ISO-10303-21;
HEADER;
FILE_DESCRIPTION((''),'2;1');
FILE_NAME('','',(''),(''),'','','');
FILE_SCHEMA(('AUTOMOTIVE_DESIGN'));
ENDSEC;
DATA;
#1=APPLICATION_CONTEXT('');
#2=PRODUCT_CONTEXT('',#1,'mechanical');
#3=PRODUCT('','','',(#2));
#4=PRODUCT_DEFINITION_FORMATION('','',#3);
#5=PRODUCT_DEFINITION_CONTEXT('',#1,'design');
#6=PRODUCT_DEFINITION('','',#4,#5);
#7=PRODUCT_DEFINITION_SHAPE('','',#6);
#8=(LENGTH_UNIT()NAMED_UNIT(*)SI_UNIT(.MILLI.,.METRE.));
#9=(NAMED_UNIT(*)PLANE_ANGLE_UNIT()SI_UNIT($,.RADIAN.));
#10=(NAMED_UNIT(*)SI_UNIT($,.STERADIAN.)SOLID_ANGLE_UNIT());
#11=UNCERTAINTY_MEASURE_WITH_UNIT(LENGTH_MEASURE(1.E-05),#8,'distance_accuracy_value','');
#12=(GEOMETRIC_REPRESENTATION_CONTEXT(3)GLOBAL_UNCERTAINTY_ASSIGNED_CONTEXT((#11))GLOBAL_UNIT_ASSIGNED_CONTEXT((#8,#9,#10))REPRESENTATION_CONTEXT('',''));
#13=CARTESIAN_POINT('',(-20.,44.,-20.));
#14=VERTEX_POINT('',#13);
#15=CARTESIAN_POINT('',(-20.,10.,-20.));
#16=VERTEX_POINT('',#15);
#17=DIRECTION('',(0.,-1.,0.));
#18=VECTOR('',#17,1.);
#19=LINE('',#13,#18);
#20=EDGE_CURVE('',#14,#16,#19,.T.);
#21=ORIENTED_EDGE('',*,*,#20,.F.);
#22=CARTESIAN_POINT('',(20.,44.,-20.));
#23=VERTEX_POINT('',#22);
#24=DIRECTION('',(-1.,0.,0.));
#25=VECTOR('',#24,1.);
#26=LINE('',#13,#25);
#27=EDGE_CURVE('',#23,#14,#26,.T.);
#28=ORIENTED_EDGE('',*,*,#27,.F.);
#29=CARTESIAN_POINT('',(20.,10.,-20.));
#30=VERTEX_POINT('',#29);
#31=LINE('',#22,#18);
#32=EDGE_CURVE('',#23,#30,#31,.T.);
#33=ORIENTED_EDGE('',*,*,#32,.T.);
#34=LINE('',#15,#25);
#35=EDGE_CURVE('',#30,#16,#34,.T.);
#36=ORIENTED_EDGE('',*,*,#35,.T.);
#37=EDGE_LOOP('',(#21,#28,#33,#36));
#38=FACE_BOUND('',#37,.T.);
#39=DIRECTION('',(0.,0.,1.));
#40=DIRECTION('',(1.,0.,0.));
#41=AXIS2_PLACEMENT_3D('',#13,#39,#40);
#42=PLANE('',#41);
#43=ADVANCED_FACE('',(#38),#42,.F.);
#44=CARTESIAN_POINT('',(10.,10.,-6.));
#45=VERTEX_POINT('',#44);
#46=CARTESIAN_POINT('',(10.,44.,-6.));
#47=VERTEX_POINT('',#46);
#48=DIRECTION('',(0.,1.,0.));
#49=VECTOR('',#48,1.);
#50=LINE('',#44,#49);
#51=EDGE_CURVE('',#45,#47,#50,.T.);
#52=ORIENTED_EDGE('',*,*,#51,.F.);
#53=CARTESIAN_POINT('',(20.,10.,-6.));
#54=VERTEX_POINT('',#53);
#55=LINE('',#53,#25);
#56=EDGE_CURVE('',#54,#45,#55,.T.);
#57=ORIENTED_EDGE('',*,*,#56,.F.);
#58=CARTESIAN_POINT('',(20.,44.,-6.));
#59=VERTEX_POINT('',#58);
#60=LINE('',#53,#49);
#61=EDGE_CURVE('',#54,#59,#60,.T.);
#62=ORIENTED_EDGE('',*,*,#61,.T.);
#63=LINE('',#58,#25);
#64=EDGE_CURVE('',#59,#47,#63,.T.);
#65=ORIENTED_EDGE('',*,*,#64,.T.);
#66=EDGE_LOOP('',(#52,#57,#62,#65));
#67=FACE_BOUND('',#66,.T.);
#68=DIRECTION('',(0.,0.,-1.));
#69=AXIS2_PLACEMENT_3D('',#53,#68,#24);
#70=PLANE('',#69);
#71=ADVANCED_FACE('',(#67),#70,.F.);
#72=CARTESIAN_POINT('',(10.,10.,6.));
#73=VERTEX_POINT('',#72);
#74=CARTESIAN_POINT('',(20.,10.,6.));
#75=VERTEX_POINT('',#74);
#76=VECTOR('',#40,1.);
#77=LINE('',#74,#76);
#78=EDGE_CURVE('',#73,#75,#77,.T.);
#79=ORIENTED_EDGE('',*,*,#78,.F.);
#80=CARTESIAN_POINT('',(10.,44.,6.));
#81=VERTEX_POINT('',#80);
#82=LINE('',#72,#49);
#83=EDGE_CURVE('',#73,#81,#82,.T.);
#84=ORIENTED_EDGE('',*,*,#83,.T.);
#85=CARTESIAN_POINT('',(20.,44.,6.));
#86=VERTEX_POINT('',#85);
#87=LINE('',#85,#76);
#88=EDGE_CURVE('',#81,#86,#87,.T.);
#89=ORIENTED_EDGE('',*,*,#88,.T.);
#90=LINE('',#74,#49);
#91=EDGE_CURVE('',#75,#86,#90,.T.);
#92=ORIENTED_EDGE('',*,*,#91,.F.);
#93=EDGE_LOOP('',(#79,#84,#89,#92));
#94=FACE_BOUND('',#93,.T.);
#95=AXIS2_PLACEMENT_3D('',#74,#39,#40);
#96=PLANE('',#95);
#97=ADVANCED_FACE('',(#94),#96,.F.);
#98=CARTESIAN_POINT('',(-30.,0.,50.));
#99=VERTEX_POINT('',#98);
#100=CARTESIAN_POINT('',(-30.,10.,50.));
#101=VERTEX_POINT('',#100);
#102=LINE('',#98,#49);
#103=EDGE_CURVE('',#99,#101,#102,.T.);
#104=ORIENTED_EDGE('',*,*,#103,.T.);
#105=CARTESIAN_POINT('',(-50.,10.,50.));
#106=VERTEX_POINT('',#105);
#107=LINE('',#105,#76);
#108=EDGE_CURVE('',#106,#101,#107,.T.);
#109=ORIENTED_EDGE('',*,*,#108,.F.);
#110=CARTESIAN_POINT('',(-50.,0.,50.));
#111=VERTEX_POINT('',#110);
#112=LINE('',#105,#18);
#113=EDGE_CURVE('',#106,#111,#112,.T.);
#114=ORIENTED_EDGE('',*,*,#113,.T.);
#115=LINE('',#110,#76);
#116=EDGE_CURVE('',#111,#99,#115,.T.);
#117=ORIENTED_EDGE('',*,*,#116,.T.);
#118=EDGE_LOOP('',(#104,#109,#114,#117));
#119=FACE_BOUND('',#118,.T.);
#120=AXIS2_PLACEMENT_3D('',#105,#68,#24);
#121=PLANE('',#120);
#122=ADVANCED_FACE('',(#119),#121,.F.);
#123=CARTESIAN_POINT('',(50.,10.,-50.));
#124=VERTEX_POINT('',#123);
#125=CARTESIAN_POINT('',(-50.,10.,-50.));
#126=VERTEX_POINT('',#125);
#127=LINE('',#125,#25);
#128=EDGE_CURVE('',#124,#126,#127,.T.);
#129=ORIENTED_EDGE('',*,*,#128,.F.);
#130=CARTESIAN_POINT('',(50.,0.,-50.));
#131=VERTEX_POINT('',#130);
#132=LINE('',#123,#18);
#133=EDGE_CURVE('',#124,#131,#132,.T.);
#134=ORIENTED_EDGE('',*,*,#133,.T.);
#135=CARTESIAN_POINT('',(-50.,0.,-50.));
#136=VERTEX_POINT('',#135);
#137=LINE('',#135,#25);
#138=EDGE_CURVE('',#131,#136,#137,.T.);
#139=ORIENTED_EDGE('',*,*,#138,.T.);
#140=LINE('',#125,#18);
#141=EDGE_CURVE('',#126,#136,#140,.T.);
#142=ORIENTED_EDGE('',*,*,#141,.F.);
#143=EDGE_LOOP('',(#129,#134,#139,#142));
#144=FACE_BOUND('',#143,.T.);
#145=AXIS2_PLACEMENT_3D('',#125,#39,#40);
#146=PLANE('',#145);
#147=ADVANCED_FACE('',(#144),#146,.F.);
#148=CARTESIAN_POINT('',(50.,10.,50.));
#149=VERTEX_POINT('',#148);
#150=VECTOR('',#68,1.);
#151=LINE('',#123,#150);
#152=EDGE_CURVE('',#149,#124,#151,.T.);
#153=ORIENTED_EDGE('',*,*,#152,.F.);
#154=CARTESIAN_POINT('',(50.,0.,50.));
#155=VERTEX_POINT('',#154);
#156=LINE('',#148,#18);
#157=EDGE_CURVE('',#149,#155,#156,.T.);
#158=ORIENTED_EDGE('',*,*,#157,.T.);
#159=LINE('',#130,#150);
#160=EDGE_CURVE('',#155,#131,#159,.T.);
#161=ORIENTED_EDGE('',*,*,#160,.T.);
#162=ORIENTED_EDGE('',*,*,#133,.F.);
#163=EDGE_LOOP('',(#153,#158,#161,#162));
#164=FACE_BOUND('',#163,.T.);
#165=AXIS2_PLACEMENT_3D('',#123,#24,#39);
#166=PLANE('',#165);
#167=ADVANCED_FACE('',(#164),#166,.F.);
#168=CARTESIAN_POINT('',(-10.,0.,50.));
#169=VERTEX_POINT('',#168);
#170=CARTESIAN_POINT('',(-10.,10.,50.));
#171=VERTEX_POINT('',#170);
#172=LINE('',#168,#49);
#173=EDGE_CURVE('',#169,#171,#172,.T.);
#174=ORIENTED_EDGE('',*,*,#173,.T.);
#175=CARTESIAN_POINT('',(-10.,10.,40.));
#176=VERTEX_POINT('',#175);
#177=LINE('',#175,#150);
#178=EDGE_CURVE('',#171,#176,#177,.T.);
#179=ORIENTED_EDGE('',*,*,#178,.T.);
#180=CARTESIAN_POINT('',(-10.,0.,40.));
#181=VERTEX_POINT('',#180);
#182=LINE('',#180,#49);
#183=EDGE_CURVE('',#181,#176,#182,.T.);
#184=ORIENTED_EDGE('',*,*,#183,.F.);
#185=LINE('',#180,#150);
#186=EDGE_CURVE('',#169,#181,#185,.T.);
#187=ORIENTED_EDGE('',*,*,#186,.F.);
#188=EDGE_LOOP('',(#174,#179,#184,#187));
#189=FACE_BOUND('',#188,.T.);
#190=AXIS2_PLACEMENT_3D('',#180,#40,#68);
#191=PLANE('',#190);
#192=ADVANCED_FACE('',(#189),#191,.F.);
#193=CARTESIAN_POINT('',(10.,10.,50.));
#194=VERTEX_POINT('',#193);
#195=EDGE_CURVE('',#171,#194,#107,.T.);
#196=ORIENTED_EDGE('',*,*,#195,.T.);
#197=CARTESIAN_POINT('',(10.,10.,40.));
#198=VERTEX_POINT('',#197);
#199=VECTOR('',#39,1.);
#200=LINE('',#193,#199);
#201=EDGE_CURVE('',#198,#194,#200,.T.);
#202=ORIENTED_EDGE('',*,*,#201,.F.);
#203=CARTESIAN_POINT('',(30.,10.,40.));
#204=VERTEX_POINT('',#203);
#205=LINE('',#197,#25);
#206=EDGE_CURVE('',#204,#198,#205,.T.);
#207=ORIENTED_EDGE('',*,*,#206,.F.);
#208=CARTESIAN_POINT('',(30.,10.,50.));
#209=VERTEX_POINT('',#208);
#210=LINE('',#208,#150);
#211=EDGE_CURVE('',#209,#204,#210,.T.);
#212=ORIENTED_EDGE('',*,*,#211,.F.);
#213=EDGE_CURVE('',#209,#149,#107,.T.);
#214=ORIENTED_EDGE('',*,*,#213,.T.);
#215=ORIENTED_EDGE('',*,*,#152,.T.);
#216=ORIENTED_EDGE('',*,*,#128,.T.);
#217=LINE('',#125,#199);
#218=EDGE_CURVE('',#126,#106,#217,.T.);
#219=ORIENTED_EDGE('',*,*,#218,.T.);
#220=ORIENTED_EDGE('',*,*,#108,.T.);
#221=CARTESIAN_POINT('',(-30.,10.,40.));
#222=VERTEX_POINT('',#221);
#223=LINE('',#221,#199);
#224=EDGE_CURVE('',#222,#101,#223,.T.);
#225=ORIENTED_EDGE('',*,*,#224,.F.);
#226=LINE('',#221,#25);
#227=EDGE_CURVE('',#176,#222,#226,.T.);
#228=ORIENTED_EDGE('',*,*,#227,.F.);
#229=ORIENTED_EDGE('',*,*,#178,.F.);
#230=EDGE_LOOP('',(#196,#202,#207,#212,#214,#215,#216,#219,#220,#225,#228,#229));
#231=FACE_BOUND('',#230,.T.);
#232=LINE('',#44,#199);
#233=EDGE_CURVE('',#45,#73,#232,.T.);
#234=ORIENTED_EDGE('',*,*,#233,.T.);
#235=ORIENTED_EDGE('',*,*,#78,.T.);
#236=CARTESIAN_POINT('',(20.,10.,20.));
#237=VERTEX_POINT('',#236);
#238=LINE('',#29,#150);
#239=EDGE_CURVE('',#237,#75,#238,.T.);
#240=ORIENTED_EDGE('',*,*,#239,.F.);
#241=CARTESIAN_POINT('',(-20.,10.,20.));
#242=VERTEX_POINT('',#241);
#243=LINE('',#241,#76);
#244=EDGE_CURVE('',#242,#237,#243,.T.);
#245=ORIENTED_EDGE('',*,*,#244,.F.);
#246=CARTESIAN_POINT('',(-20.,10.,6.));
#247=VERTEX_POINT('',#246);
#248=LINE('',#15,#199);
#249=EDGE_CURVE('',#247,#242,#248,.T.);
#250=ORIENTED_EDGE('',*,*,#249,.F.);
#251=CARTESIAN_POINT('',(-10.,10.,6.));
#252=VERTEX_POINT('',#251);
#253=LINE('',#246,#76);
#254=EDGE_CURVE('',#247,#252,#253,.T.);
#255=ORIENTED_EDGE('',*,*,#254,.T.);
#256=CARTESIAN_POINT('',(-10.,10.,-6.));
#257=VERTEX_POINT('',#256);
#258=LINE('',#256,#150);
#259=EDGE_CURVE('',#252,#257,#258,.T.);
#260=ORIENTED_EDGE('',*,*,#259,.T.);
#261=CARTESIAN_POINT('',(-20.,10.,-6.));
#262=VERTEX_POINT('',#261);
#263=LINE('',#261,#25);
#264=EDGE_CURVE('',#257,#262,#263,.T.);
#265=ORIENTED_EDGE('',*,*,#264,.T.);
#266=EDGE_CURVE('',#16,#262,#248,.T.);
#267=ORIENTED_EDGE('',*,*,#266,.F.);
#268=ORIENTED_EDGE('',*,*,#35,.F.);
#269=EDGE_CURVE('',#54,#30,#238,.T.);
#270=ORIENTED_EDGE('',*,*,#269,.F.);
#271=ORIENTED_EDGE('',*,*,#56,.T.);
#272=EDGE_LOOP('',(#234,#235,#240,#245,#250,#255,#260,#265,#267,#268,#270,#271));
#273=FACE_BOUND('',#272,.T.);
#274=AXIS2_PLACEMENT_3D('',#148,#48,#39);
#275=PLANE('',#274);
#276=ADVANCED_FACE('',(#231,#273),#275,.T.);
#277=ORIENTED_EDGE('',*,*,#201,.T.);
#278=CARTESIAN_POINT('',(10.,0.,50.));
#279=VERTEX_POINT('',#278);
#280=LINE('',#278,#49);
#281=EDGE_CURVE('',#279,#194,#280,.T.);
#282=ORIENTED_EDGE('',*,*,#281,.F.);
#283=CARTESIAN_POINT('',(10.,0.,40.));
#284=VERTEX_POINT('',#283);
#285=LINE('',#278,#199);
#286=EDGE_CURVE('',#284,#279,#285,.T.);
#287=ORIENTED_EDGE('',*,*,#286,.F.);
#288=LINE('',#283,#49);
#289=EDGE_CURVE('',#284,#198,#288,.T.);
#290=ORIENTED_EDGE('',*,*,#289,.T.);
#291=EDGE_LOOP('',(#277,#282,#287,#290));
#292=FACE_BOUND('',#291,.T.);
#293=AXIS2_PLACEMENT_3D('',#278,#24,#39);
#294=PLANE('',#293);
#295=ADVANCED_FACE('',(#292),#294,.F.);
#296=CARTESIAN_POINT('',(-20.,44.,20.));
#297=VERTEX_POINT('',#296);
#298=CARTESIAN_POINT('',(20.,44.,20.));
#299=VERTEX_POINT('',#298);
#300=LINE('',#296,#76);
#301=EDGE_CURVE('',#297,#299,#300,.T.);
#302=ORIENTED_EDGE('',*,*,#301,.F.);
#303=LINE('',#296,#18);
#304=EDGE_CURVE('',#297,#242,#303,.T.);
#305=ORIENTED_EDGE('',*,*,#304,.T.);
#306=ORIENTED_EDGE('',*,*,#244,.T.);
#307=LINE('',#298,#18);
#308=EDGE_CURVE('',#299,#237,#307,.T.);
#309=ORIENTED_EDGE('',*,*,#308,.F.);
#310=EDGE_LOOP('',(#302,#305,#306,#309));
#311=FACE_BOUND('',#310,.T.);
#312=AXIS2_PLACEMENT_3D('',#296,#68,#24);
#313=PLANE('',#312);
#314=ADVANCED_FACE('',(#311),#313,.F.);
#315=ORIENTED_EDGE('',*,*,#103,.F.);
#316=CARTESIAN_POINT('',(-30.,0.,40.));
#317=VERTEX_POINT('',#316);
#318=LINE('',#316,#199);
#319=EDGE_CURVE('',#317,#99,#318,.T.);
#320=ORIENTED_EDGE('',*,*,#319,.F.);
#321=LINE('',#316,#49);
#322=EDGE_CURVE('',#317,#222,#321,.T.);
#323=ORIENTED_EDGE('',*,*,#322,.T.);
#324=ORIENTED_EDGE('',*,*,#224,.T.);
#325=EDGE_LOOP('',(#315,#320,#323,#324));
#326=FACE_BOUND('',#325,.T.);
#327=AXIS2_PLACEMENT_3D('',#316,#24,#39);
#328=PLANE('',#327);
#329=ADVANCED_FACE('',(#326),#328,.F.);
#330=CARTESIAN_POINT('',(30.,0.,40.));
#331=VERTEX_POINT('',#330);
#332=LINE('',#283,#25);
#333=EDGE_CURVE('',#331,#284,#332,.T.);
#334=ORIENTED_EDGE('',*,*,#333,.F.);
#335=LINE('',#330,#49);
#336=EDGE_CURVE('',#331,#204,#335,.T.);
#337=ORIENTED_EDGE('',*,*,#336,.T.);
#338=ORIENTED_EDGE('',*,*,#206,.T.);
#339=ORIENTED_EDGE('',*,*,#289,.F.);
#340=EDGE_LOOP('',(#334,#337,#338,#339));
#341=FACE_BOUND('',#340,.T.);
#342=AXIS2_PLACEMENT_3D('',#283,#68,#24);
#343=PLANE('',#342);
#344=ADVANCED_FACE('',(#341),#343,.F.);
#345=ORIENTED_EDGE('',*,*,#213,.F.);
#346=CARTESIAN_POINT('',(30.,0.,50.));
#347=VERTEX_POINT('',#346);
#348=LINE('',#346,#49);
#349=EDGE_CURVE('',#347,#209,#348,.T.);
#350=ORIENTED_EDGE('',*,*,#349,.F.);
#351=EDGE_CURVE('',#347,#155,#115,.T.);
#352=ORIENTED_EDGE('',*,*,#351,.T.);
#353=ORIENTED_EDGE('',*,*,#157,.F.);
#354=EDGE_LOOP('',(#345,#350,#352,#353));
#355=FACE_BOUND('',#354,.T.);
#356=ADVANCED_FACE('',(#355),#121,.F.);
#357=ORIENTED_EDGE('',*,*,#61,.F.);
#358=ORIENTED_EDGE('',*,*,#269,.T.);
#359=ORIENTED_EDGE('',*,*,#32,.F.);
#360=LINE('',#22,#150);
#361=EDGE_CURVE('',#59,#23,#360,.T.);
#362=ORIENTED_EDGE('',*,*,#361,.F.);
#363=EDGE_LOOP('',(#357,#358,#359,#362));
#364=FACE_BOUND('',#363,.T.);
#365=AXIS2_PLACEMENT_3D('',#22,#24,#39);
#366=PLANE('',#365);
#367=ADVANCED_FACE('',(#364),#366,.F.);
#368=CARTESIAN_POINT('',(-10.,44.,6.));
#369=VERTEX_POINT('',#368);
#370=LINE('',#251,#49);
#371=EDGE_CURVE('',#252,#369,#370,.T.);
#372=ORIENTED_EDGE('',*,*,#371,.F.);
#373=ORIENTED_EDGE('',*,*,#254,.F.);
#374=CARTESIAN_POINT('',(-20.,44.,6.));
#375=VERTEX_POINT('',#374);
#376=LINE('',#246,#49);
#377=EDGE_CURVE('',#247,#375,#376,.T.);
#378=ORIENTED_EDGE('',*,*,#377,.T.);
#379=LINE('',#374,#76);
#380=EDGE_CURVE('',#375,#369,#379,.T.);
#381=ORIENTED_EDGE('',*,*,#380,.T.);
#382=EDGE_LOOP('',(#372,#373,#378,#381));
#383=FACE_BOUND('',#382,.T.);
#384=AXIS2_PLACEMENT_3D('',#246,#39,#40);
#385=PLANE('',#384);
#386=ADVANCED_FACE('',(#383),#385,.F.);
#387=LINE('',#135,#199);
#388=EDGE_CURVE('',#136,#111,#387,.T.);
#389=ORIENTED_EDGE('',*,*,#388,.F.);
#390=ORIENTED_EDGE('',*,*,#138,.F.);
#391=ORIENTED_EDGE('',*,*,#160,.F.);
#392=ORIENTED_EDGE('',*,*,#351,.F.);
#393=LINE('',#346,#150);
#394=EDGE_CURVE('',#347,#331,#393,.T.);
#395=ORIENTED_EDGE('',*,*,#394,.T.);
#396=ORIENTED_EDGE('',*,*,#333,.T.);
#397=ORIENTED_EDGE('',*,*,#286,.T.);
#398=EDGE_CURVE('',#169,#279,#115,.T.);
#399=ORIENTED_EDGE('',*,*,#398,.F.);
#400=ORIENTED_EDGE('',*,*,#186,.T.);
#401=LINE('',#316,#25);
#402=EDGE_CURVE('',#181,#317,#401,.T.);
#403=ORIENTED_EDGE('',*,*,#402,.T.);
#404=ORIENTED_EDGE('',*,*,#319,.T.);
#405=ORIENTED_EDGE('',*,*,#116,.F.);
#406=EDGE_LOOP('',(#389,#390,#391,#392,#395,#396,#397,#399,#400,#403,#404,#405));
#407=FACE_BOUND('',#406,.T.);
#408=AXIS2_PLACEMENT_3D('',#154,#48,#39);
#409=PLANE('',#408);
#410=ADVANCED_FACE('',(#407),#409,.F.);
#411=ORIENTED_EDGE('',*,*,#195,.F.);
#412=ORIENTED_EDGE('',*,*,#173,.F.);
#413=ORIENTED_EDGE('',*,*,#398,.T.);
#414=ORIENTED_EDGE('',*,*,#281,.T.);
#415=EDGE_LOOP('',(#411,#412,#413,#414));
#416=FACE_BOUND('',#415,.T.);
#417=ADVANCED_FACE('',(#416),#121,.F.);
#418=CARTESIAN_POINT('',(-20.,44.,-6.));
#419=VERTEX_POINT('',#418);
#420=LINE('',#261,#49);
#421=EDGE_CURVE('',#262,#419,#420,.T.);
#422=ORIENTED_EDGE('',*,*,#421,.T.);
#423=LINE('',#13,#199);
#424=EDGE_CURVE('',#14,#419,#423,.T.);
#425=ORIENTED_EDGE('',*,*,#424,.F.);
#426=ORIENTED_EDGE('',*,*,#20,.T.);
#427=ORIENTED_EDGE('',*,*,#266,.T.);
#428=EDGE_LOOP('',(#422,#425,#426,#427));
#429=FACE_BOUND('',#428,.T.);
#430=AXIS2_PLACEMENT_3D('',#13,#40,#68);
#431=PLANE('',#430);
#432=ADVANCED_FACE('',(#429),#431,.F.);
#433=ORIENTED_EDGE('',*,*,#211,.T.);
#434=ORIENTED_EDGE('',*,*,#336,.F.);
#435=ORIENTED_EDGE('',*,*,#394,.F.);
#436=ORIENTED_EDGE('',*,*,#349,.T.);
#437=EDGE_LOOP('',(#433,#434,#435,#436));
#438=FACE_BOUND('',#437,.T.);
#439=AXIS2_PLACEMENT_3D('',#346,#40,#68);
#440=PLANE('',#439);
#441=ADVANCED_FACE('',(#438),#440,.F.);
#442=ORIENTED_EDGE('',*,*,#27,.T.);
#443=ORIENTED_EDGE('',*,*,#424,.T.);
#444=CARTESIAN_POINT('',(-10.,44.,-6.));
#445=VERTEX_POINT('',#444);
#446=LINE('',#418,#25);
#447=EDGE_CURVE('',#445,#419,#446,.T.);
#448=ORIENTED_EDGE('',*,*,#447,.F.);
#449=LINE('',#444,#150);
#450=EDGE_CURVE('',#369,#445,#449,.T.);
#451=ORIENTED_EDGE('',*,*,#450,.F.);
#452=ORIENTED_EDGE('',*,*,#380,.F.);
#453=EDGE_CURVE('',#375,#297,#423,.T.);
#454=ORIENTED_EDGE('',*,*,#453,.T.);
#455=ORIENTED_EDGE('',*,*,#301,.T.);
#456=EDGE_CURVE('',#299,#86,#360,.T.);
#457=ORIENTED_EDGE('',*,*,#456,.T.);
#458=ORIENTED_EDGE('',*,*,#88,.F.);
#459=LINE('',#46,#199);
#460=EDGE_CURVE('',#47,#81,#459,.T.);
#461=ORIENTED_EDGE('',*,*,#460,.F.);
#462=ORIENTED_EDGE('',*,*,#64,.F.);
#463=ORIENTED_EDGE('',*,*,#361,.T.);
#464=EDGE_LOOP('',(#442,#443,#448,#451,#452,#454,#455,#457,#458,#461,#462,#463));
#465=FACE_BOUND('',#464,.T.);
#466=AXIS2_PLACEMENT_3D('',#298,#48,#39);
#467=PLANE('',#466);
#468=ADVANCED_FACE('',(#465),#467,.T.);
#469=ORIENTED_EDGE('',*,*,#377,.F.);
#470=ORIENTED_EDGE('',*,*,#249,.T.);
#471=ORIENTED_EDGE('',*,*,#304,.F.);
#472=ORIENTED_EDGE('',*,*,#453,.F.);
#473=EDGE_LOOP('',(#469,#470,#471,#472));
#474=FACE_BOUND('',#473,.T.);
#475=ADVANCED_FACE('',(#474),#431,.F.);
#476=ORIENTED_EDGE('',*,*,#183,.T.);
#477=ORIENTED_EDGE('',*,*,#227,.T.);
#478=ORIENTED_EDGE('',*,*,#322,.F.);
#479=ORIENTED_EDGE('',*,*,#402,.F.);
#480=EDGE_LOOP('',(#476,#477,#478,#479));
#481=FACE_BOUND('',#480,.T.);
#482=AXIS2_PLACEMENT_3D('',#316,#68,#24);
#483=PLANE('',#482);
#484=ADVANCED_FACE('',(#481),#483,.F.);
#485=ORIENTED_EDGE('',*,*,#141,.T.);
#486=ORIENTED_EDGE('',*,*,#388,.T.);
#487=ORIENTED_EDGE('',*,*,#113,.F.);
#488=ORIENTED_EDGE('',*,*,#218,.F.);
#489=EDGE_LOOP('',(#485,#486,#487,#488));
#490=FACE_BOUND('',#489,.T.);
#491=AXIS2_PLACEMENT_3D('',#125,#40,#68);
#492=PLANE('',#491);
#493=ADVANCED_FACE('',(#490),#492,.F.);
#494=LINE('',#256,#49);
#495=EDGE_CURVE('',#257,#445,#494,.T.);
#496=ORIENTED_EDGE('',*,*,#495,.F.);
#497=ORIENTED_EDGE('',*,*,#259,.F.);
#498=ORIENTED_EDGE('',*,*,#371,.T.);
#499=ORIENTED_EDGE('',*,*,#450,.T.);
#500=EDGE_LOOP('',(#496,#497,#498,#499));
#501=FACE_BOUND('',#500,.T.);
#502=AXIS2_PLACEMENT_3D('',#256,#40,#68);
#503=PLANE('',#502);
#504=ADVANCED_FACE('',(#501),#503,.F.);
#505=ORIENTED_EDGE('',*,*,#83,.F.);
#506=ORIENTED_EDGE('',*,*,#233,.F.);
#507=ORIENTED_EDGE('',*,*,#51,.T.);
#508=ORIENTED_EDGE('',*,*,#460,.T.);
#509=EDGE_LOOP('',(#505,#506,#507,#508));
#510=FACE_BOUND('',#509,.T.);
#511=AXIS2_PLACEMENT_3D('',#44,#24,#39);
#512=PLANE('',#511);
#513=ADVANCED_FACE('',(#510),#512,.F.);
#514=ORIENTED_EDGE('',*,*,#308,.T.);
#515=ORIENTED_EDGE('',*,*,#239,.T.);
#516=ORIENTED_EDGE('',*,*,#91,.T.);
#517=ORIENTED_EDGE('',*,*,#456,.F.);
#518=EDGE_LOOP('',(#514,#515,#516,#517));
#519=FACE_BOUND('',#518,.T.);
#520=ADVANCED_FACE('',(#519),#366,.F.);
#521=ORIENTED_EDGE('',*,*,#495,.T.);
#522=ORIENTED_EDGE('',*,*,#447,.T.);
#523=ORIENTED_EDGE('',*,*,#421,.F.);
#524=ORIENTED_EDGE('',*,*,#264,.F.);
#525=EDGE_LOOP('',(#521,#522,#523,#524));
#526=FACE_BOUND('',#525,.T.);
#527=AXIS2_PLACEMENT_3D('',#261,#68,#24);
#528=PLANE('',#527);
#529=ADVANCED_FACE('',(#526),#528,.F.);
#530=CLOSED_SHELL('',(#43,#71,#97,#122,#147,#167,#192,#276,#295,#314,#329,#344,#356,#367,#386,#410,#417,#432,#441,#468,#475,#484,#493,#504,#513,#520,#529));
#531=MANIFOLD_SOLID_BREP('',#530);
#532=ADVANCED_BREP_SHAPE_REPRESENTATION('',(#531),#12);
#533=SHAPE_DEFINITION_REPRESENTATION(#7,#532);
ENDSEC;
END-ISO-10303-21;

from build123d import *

# Parameters (mm, degrees)
SKETCH1_W           = 100
SKETCH1_H           = 100
BOSS_EXTRUDE1_DEPTH = 10
SKETCH6_W           = 40
SKETCH6_H           = 40
BOSS_EXTRUDE3_DEPTH = 34
SKETCH8_W           = 20
SKETCH8_H           = 10
CUT_EXTRUDE1_DEPTH  = 10
SKETCH9_W           = 20
SKETCH9_H           = 10
CUT_EXTRUDE2_DEPTH  = 10
SKETCH10_W          = 10
SKETCH10_H          = 12
CUT_EXTRUDE3_DEPTH  = 34


with BuildPart() as part:
    # Sketch1 → Boss-Extrude1 (new body)
    with BuildSketch(Plane(origin=(0, 0, 0), x_dir=(1, 0, 0), z_dir=(0, 1, 0))):
        Rectangle(SKETCH1_W, SKETCH1_H)
    extrude(amount=BOSS_EXTRUDE1_DEPTH)

    # Sketch6 → Boss-Extrude3 (add)
    with BuildSketch(Plane(origin=(0, 10, 0), x_dir=(1, 0, 0), z_dir=(0, 1, 0))):
        Rectangle(SKETCH6_W, SKETCH6_H)
    extrude(amount=BOSS_EXTRUDE3_DEPTH)

    # Sketch8 → Cut-Extrude1 (cut)
    with BuildSketch(Plane(origin=(0, 10, 0), x_dir=(1, 0, 0), z_dir=(0, 1, 0))):
        with Locations((-20, -45)):
            Rectangle(SKETCH8_W, SKETCH8_H)
    extrude(amount=-CUT_EXTRUDE1_DEPTH, mode=Mode.SUBTRACT)

    # Sketch9 → Cut-Extrude2 (cut)
    with BuildSketch(Plane(origin=(0, 10, 0), x_dir=(1, 0, 0), z_dir=(0, 1, 0))):
        with Locations((20, -45)):
            Rectangle(SKETCH9_W, SKETCH9_H)
    extrude(amount=-CUT_EXTRUDE2_DEPTH, mode=Mode.SUBTRACT)

    # Sketch10 → Cut-Extrude3 (cut)
    with BuildSketch(Plane(origin=(0, 44, 0), x_dir=(1, 0, 0), z_dir=(0, 1, 0))):
        with Locations((15, 0)):
            Rectangle(SKETCH10_W, SKETCH10_H)
        with Locations((-15, 0)):
            Rectangle(SKETCH10_W, SKETCH10_H)
    extrude(amount=-CUT_EXTRUDE3_DEPTH, mode=Mode.SUBTRACT)


solid = part.part
